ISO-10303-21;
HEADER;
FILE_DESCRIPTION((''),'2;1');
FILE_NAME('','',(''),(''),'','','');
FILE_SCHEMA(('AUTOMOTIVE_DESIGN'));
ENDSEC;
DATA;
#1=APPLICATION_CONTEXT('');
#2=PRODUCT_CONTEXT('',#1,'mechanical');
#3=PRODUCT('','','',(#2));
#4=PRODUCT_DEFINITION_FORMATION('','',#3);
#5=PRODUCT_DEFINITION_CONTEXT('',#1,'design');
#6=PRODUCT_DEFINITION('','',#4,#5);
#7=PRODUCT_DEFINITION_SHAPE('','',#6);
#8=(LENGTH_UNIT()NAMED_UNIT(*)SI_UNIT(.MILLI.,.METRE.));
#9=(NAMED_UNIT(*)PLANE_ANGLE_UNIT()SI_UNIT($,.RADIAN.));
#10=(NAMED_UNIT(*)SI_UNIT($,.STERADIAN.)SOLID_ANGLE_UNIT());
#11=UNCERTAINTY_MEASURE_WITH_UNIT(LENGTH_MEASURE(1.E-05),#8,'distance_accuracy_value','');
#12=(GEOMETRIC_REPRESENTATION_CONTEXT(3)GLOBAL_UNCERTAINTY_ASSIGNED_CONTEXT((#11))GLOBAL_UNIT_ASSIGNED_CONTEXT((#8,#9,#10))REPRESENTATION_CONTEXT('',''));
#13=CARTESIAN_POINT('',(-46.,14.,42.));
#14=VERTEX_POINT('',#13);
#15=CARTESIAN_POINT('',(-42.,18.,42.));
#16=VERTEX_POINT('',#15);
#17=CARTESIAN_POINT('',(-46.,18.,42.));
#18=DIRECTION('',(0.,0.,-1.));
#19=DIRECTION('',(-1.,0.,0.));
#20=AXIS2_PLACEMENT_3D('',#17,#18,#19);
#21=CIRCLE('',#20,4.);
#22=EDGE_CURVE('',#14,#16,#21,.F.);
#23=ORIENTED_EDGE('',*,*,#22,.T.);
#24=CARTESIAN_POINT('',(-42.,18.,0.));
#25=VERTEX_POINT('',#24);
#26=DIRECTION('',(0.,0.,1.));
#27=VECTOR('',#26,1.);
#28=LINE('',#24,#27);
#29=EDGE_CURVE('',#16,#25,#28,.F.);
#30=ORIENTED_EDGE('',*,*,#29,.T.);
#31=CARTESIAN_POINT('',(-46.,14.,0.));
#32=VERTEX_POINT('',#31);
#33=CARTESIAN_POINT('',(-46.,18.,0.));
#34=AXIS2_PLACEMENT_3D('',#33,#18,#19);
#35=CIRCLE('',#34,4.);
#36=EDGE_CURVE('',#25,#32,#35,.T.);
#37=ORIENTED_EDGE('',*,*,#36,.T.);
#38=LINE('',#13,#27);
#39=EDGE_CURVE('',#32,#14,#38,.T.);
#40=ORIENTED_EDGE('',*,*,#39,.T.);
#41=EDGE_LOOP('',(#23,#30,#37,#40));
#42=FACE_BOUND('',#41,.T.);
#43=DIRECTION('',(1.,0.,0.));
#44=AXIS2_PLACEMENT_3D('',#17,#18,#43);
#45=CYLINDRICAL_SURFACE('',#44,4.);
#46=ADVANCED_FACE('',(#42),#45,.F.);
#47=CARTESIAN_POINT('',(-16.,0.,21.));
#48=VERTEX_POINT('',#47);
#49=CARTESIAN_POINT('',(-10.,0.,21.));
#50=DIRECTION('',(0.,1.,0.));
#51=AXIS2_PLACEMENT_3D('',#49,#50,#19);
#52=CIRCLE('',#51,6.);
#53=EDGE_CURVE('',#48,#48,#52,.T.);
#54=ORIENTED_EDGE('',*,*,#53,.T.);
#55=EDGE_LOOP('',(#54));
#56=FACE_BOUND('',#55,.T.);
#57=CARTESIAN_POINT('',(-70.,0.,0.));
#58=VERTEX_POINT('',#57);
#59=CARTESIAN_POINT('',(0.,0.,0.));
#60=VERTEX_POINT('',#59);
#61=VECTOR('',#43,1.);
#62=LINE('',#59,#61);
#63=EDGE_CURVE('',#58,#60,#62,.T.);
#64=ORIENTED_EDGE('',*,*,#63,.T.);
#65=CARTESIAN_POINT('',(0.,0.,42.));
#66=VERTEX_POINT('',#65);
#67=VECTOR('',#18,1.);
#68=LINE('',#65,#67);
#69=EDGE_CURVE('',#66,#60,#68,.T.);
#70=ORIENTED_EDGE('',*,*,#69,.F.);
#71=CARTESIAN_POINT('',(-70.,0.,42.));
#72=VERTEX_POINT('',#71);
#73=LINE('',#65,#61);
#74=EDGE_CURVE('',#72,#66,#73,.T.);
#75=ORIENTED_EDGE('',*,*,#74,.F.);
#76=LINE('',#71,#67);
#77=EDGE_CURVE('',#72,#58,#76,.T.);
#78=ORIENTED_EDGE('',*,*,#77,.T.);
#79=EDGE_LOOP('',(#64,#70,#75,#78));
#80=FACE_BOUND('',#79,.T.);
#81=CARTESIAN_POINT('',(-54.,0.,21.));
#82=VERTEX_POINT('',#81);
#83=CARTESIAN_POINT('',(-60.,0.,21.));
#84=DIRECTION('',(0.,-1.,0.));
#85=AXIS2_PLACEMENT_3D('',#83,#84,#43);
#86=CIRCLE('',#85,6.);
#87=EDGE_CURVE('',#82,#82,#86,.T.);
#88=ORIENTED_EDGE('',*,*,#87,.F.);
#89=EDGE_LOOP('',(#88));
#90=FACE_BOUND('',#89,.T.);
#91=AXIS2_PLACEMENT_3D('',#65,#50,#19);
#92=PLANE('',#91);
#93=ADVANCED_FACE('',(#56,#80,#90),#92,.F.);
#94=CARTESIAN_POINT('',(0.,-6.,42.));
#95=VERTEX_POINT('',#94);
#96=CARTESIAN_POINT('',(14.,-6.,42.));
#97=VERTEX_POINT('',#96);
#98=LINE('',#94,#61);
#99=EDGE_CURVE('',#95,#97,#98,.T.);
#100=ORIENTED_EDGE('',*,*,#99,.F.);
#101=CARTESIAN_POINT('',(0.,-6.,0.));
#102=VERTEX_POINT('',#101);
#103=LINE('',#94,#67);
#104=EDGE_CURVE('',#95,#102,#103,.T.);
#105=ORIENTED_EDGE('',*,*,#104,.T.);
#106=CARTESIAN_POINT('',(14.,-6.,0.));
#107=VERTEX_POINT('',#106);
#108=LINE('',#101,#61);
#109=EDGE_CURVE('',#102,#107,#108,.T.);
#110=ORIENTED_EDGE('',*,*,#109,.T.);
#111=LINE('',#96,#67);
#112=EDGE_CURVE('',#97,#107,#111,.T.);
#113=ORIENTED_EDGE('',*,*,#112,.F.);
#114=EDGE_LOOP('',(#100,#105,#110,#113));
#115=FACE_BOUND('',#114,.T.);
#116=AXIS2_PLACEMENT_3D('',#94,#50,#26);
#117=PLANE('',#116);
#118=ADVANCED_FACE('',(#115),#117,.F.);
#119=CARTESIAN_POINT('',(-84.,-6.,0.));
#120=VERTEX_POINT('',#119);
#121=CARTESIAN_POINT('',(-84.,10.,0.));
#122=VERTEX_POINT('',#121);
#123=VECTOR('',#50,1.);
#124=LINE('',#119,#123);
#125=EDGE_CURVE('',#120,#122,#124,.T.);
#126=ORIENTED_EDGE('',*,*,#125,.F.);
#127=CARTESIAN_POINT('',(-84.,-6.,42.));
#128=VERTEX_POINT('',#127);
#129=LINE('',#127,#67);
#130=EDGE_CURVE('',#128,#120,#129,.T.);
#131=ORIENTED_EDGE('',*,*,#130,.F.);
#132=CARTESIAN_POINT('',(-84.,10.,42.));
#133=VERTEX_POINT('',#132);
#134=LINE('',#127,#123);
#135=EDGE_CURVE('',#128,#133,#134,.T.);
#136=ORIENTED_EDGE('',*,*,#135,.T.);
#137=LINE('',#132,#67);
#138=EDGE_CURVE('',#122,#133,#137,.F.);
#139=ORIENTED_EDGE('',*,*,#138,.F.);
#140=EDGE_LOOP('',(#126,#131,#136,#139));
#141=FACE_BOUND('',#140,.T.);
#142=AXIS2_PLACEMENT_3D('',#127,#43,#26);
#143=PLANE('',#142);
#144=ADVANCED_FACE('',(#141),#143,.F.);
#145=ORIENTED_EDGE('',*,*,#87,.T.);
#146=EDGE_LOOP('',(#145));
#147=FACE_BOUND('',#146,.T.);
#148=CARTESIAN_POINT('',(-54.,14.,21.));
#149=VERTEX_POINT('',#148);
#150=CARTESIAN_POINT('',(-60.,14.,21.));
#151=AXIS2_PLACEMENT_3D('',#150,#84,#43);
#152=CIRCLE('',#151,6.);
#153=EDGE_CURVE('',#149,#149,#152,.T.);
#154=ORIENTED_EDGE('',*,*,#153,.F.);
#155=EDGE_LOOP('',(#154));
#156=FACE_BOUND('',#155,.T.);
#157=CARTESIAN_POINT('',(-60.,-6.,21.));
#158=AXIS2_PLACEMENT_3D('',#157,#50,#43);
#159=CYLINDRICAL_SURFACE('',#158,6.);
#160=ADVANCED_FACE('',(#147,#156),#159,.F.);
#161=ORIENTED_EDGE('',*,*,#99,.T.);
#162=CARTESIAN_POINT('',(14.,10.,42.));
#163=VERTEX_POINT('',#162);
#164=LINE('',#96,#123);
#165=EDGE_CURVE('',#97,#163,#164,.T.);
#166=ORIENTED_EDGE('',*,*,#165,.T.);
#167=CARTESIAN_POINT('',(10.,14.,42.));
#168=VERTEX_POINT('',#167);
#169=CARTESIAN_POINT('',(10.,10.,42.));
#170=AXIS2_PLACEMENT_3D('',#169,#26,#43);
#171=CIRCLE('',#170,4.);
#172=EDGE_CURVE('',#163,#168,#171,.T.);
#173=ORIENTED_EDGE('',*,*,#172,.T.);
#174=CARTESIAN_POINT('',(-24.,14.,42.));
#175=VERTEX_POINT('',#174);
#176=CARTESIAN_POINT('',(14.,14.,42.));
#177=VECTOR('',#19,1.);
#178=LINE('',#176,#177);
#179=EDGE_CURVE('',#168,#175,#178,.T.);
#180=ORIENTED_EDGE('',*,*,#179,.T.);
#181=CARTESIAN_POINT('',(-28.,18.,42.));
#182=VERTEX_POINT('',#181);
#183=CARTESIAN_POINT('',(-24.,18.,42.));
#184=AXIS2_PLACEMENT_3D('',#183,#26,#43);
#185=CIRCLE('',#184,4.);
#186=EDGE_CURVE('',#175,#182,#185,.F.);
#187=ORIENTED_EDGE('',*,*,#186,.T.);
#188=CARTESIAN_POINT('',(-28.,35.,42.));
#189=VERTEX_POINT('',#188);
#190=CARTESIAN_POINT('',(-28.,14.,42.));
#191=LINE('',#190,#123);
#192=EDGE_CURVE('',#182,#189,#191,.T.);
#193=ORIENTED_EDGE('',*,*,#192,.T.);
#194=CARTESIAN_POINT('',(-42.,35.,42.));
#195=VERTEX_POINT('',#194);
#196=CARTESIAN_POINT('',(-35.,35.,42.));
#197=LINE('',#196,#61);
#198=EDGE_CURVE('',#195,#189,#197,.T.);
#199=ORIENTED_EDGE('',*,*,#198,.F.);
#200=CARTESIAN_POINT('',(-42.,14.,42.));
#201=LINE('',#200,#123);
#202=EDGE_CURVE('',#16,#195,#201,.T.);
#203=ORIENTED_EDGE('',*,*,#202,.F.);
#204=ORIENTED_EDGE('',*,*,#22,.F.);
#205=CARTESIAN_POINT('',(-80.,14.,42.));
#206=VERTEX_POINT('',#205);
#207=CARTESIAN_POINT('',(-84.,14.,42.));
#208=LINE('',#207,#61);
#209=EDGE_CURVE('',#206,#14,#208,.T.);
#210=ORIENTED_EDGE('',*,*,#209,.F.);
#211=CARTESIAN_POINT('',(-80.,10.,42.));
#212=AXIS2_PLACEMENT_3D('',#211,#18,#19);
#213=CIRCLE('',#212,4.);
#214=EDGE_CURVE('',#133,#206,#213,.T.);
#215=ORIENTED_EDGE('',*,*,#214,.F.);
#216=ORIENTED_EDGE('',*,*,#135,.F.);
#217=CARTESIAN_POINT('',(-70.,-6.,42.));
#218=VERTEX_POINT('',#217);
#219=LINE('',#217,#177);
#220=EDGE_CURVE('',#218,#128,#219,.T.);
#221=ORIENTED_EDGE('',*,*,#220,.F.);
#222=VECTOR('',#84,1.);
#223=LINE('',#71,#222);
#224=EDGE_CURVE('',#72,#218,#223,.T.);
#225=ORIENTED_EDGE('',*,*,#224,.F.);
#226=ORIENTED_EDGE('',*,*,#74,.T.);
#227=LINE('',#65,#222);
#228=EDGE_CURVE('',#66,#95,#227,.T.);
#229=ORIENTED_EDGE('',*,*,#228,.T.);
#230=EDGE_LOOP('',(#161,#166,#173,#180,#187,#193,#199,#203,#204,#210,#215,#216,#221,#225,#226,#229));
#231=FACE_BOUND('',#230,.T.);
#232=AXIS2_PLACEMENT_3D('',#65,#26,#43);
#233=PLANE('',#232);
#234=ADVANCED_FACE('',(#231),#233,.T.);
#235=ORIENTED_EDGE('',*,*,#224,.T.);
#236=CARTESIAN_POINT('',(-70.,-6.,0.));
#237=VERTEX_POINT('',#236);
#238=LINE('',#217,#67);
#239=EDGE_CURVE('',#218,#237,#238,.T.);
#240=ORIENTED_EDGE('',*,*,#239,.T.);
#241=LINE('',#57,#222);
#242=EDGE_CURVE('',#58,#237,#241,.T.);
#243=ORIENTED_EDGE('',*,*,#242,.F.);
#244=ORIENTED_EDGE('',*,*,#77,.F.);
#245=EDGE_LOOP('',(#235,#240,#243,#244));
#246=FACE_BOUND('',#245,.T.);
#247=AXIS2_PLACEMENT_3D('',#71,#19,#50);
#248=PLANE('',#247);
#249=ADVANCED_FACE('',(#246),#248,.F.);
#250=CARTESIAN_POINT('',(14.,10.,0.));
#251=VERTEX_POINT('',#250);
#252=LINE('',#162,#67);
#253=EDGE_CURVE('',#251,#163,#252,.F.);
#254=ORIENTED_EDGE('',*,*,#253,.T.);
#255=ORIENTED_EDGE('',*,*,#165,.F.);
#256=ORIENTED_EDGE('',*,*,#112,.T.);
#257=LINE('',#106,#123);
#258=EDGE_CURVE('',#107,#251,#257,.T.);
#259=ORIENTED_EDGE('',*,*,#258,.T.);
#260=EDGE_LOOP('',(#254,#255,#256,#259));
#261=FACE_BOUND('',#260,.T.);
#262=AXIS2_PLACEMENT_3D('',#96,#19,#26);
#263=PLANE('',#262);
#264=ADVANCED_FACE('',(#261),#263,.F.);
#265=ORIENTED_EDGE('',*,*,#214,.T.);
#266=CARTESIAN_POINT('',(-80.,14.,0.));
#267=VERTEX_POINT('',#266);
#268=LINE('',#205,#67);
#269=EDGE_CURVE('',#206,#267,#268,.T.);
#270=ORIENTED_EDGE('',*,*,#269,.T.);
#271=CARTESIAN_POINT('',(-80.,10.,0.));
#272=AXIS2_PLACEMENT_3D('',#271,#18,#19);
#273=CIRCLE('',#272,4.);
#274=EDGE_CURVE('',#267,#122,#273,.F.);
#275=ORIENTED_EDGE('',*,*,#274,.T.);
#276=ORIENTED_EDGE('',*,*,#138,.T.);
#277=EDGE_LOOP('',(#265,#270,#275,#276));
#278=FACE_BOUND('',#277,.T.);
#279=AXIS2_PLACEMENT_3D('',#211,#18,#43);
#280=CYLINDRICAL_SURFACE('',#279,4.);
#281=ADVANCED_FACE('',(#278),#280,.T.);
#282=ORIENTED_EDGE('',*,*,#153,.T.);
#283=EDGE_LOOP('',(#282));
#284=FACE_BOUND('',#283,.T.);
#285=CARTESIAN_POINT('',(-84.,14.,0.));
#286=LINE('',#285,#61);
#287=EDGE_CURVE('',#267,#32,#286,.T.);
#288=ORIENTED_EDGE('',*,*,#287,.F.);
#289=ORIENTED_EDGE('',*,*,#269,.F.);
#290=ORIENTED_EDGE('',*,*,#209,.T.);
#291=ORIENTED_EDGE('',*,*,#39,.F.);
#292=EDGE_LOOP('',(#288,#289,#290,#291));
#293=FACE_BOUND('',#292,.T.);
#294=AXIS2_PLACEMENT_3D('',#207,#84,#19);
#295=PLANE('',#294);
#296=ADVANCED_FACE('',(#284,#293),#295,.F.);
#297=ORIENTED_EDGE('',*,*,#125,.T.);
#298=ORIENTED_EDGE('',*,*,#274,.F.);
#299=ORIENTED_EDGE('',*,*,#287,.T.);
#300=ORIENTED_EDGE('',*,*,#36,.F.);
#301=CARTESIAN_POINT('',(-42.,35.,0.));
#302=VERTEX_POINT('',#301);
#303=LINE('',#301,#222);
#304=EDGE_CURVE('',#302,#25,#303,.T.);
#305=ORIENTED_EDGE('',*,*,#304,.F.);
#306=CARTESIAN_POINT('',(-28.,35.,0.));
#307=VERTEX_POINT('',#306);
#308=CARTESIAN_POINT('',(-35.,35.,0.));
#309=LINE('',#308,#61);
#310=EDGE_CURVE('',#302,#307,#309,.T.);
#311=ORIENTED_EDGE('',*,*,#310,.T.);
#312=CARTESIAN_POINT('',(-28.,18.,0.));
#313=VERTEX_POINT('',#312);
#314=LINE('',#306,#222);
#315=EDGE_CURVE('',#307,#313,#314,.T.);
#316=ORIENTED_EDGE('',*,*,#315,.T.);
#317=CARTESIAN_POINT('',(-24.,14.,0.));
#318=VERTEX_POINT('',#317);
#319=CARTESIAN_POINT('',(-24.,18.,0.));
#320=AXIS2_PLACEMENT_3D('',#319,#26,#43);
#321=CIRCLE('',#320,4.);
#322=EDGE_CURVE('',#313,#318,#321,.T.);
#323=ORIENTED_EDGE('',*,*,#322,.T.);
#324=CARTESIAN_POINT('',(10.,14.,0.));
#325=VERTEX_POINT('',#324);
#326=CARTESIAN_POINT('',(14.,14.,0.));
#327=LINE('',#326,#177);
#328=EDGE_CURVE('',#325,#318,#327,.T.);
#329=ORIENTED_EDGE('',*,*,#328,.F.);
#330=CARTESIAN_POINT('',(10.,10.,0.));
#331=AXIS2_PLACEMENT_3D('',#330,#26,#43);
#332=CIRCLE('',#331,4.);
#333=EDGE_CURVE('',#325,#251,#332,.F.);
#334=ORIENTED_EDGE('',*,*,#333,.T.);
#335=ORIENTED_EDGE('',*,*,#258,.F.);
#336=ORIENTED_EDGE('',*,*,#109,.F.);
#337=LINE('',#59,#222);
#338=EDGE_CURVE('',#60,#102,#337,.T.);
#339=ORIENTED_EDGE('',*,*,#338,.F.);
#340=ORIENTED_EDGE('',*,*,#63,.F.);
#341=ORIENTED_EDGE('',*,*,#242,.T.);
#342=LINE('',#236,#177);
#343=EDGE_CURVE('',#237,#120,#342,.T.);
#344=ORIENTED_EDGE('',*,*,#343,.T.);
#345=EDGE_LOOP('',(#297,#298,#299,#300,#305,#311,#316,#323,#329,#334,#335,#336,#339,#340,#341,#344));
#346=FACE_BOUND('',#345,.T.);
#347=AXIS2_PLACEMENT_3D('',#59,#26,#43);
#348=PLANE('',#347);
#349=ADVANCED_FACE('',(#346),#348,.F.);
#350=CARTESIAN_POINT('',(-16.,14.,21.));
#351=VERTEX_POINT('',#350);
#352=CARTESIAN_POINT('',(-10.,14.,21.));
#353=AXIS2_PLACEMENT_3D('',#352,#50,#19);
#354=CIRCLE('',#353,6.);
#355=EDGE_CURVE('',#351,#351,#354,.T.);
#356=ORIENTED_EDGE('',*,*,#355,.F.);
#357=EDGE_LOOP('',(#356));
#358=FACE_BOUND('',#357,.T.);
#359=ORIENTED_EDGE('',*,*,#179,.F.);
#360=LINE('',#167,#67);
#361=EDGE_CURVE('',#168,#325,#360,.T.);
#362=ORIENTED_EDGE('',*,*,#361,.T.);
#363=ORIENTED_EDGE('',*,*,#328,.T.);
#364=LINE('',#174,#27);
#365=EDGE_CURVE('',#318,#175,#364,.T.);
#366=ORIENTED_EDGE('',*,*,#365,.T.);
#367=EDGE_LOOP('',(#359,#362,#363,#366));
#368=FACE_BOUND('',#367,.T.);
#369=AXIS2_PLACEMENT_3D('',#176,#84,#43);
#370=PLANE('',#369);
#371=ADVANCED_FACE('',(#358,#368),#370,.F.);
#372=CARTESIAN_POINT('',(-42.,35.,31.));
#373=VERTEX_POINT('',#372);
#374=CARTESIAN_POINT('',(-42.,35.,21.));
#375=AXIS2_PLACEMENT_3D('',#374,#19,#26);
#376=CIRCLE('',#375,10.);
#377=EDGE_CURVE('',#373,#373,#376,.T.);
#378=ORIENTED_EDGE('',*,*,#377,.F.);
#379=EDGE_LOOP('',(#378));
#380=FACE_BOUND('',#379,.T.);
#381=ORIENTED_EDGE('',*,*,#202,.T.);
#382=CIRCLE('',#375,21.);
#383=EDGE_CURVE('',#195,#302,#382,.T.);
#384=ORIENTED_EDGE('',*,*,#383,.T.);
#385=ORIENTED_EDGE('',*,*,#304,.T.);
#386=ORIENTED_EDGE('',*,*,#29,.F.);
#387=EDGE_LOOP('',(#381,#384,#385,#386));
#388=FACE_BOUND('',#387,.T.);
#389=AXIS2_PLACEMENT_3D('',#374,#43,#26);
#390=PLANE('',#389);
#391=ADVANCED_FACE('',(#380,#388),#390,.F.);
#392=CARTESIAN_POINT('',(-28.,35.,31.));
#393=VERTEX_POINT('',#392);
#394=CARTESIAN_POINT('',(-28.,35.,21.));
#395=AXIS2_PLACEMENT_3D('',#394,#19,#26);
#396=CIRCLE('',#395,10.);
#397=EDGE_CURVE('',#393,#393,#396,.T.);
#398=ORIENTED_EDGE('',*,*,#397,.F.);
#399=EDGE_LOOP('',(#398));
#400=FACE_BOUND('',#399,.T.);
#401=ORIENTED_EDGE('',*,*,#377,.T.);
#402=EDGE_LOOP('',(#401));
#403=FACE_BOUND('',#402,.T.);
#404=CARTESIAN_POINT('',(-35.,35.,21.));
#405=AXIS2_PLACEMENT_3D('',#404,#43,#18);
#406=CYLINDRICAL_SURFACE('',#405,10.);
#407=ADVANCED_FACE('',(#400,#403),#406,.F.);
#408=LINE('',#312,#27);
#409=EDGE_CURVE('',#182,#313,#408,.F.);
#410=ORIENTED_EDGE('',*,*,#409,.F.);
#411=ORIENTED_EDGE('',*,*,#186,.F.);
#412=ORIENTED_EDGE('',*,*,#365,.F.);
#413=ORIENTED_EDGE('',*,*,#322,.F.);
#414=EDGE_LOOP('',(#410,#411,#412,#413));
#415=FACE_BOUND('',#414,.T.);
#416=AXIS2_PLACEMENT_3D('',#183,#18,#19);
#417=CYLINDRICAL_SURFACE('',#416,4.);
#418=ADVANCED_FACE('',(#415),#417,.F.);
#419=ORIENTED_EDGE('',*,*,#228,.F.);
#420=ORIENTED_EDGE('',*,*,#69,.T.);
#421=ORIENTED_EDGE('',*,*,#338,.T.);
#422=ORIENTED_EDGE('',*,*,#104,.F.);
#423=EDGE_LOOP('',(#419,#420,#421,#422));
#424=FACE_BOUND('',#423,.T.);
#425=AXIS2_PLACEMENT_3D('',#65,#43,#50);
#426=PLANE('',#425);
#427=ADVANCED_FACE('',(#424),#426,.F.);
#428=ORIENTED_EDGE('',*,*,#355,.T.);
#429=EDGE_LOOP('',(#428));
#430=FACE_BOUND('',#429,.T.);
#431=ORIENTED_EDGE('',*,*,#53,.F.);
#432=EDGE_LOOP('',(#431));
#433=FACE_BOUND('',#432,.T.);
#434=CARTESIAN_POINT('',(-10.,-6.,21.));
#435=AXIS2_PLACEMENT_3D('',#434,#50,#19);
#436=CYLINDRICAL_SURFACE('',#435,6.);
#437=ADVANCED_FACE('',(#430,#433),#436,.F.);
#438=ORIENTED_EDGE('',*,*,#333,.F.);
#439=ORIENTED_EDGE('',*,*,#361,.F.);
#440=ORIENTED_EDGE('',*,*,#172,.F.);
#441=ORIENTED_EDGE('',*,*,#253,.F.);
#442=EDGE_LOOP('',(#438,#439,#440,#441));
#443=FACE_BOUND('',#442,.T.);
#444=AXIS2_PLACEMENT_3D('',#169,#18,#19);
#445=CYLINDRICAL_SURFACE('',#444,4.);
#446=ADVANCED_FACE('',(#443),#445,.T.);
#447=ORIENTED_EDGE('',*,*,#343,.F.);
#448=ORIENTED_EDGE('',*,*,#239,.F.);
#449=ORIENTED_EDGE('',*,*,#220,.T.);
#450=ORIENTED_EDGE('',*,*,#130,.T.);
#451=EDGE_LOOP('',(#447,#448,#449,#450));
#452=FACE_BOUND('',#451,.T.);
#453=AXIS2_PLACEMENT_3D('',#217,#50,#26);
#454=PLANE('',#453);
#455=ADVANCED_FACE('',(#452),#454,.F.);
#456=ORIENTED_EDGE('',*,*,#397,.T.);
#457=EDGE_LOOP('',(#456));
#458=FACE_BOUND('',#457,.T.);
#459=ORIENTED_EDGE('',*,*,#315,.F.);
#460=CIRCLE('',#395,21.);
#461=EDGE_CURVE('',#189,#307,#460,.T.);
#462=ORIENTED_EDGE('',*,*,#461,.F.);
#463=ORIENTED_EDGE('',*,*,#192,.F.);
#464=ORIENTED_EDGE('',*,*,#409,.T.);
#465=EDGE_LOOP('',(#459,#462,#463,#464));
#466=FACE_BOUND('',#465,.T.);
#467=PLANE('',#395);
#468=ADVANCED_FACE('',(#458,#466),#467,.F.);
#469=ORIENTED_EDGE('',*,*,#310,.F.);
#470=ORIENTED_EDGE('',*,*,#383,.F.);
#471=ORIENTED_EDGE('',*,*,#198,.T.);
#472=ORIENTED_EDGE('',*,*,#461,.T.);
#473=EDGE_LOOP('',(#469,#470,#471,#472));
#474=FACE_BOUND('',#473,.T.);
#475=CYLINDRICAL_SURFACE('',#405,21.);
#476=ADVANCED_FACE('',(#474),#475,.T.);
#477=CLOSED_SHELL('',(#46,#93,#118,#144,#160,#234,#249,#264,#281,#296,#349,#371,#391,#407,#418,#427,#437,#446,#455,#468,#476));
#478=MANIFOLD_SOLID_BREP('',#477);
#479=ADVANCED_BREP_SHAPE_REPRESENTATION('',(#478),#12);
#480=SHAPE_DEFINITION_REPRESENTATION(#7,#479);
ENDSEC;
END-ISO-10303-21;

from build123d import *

# Parameters (mm, degrees)
BOSS_EXTRUDE1_DEPTH = 42
SKETCH3_R           = 10
BOSS_EXTRUDE2_DEPTH = 7
SKETCH4_R           = 6
CUT_EXTRUDE1_DEPTH  = 69.942004613
FILLET1_R           = 4


with BuildPart() as part:
    # Sketch1 → Boss-Extrude1 (new body)
    with BuildSketch(Plane.XY):
        Polygon((0, 0), (0, -6), (14, -6), (14, 14), (-35, 14), (-35, 0), align=None)
    extrude(amount=BOSS_EXTRUDE1_DEPTH)

    # Sketch3 → Boss-Extrude2 (add)
    with BuildSketch(Plane.ZY.offset(28)):
        with BuildLine():
            Line((0, 14), (42, 14))
            Line((42, 14), (42, 35))
            ThreePointArc((42, 35), (21, 56), (0, 35))
            Line((0, 35), (0, 14))
        make_face()
        with Locations((21, 35)):
            Circle(SKETCH3_R, mode=Mode.SUBTRACT)
    extrude(amount=BOSS_EXTRUDE2_DEPTH)

    # Sketch4 → Cut-Extrude1 (cut, through all)
    with BuildSketch(Plane(origin=(0, 14, 0), x_dir=(1, 0, 0), z_dir=(0, 1, 0))):
        with Locations(Location((-10, -21, 0), (0, 0, 180))):
            Circle(SKETCH4_R)
    extrude(amount=-CUT_EXTRUDE1_DEPTH, mode=Mode.SUBTRACT)

    # Fillet1
    fillet1_edges = [part.edges().sort_by_distance(p)[0] for p in [
        (14, 14, 21),
        (-28, 14, 21),
    ]]
    fillet(fillet1_edges, radius=FILLET1_R)

    # Mirror2: part across plane


with BuildPart() as part_1:
    add(part.part)
    add(part.part.mirror(Plane(origin=(-35, 14, 42), x_dir=(0, 0, 1), z_dir=(1, 0, 0))))


solid = part_1.part
